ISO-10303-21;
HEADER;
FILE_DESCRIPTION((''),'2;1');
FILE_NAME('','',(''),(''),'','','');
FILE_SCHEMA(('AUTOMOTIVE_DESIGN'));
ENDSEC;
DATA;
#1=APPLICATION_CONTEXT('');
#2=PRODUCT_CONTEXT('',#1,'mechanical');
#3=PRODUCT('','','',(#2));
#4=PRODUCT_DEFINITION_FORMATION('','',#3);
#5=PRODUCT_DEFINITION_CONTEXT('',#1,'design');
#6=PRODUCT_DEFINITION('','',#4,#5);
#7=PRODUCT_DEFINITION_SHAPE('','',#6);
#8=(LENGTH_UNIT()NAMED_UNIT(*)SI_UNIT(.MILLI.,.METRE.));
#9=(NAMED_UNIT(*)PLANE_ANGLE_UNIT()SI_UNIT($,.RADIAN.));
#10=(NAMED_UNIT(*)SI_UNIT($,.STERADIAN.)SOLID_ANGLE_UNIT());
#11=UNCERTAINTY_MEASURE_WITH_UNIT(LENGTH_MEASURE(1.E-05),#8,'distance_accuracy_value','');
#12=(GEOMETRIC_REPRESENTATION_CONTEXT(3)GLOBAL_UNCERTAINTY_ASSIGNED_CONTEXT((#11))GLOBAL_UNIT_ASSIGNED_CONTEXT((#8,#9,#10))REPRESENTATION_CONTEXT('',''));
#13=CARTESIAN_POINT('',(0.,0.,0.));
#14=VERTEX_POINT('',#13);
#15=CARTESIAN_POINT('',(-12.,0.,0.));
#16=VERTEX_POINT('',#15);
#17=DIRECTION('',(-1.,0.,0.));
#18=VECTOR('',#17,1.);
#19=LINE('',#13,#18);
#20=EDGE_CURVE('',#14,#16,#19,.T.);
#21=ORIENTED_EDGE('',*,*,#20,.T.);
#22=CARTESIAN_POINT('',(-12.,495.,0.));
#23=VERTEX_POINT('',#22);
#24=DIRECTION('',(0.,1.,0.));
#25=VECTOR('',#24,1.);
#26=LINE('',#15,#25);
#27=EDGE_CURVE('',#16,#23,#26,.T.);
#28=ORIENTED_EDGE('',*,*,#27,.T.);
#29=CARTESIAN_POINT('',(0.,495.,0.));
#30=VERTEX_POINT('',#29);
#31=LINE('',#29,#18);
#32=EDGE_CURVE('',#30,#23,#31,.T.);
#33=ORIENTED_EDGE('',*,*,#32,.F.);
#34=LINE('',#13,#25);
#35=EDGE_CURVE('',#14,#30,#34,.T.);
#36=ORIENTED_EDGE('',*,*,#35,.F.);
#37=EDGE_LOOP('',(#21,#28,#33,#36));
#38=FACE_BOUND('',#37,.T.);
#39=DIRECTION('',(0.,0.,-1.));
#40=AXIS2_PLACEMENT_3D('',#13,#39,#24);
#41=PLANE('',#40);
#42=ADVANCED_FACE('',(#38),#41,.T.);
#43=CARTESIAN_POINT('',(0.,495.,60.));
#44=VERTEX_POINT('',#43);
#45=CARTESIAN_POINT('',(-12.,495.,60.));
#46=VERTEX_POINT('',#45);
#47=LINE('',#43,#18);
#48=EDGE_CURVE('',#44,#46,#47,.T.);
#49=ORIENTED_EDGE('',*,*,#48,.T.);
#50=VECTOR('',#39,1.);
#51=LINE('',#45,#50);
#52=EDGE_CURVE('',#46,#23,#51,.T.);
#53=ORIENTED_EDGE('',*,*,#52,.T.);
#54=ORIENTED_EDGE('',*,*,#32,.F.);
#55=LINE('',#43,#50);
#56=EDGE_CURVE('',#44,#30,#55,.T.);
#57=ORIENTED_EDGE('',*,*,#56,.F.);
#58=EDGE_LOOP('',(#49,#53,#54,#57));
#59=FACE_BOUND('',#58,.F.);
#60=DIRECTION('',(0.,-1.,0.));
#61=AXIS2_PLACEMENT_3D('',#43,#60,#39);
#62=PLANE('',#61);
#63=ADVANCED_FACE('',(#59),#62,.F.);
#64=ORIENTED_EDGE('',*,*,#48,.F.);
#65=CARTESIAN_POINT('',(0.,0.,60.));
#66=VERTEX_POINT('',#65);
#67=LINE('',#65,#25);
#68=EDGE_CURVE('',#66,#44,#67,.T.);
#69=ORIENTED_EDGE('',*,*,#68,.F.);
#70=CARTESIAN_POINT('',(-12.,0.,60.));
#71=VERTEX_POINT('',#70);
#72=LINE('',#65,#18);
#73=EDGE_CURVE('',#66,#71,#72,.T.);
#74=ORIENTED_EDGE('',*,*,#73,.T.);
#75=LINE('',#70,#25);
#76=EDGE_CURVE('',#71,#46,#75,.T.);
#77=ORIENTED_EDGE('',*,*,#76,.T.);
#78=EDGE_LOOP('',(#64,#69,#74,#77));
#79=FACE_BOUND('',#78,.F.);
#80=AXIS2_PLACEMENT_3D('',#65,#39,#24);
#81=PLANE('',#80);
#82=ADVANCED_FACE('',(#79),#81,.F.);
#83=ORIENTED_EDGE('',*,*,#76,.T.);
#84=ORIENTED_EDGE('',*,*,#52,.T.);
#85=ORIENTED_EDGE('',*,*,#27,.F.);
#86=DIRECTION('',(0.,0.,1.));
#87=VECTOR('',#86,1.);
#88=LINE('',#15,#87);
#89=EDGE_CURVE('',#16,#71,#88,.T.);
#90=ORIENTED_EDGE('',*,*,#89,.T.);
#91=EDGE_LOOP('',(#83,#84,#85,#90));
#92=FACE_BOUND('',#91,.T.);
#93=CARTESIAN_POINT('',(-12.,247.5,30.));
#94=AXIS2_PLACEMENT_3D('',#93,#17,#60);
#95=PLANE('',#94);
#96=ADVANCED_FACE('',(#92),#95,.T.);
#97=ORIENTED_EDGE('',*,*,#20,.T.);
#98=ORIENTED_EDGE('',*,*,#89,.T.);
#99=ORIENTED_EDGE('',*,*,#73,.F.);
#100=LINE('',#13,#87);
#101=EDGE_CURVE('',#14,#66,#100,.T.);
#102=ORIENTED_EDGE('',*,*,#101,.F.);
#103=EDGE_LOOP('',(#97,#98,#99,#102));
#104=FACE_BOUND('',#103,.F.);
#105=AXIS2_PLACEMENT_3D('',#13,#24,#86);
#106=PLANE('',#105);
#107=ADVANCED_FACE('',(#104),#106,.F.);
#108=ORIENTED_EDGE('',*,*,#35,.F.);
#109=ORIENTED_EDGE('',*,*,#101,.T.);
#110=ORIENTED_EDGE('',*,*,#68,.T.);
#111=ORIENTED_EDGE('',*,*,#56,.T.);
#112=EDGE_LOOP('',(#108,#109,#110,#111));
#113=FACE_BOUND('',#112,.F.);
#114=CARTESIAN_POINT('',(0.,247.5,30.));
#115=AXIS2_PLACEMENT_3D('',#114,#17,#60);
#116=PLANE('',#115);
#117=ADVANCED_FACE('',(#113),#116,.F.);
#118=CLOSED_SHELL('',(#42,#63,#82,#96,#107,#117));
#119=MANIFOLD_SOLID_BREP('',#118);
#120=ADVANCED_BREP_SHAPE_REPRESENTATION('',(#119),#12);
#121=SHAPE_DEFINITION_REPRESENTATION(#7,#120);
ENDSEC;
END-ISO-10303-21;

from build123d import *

# Parameters (mm, degrees)
PAD_DEPTH = 12


with BuildPart() as part:
    # Sketch → Pad (new body)
    with BuildSketch(Plane.YZ):
        Polygon((0, 0), (0, 60), (495, 60), (495, 0), (247.5, 0), align=None)
    extrude(amount=-PAD_DEPTH)


solid = part.part
